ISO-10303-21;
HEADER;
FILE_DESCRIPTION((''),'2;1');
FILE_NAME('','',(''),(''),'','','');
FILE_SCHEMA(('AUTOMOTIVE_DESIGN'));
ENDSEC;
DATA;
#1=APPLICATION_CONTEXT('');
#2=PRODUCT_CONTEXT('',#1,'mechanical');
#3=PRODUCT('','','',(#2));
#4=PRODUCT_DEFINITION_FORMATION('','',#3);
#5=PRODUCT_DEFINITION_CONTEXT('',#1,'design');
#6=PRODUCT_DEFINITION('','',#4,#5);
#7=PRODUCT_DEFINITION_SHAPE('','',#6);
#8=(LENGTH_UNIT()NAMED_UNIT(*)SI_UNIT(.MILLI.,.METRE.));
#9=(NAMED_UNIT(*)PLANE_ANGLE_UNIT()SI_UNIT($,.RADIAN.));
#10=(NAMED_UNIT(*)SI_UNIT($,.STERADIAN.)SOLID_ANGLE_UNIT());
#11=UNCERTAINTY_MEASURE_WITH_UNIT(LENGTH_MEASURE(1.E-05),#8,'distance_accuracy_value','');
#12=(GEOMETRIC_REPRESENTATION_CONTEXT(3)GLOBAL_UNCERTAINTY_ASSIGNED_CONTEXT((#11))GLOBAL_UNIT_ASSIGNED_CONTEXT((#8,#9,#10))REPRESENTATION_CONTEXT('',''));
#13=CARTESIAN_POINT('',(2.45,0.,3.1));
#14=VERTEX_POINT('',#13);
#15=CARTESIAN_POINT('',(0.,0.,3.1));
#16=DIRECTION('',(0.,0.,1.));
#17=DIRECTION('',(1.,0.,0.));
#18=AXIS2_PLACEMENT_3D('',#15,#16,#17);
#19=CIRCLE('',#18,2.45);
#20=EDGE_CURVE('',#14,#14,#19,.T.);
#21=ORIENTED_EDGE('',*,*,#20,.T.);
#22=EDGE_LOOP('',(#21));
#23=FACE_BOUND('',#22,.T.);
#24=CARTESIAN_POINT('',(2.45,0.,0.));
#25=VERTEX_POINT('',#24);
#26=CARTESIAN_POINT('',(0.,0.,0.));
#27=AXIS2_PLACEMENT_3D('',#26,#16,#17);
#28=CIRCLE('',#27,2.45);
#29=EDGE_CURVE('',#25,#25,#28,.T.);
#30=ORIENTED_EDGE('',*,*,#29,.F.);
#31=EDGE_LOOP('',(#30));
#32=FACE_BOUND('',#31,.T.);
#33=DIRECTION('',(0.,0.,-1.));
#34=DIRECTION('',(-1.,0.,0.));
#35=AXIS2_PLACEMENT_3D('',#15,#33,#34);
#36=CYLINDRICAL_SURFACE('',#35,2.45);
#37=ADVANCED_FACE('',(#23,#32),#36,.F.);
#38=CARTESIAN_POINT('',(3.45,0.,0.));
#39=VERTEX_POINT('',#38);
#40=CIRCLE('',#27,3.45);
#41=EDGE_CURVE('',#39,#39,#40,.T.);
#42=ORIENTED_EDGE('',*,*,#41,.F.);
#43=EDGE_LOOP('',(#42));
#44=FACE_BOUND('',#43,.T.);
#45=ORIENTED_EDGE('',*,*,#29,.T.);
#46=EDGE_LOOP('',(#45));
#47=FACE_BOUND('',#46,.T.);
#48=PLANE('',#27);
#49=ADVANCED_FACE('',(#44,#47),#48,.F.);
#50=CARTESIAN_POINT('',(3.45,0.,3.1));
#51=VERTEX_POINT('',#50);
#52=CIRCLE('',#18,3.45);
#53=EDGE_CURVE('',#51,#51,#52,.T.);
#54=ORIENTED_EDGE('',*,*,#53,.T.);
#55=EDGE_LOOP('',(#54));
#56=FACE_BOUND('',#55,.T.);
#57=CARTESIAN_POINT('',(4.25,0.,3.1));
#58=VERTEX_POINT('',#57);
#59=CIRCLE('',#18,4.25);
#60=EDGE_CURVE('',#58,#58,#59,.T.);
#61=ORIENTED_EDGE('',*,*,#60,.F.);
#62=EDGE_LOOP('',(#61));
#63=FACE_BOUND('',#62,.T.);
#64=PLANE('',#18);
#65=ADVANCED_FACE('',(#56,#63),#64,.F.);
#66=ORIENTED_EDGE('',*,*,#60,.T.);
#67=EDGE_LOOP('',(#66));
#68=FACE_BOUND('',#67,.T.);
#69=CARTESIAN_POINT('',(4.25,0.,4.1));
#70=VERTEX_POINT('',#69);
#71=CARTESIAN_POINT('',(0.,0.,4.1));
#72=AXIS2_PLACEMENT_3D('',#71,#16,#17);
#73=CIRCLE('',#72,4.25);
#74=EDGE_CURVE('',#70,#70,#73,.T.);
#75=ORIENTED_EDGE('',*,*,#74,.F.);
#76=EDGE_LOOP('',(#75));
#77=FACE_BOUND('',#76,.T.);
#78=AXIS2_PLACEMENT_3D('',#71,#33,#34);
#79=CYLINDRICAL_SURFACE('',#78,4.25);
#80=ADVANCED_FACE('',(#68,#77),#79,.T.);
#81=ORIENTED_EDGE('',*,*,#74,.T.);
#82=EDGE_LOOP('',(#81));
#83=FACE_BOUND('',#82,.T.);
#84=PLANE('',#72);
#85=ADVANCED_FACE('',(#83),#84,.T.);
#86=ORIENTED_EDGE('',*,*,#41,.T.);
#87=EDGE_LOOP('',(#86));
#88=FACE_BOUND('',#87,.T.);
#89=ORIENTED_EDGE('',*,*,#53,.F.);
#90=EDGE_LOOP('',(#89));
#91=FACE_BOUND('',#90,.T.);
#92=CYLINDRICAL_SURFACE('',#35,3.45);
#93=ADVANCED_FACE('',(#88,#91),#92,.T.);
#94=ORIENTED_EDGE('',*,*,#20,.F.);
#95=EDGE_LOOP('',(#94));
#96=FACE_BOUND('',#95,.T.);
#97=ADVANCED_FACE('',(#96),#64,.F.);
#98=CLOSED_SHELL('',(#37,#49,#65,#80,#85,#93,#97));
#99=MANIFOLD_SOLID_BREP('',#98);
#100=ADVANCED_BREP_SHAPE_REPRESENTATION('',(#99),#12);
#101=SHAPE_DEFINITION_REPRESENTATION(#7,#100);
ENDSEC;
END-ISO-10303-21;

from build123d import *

# Parameters (mm, degrees)
CROQUIS1_R              = 3.45
CROQUIS1_R_2            = 2.45
SALIENTE_EXTRUIR1_DEPTH = 3.1
CROQUIS2_R              = 4.25
SALIENTE_EXTRUIR2_DEPTH = 1


with BuildPart() as part:
    # Croquis1 → Saliente-Extruir1 (new body)
    with BuildSketch(Plane.XY):
        Circle(CROQUIS1_R)
        Circle(CROQUIS1_R_2, mode=Mode.SUBTRACT)
    extrude(amount=SALIENTE_EXTRUIR1_DEPTH)

    # Croquis2 → Saliente-Extruir2 (add)
    with BuildSketch(Plane.XY.offset(3.1)):
        Circle(CROQUIS2_R)
    extrude(amount=SALIENTE_EXTRUIR2_DEPTH)


solid = part.part
